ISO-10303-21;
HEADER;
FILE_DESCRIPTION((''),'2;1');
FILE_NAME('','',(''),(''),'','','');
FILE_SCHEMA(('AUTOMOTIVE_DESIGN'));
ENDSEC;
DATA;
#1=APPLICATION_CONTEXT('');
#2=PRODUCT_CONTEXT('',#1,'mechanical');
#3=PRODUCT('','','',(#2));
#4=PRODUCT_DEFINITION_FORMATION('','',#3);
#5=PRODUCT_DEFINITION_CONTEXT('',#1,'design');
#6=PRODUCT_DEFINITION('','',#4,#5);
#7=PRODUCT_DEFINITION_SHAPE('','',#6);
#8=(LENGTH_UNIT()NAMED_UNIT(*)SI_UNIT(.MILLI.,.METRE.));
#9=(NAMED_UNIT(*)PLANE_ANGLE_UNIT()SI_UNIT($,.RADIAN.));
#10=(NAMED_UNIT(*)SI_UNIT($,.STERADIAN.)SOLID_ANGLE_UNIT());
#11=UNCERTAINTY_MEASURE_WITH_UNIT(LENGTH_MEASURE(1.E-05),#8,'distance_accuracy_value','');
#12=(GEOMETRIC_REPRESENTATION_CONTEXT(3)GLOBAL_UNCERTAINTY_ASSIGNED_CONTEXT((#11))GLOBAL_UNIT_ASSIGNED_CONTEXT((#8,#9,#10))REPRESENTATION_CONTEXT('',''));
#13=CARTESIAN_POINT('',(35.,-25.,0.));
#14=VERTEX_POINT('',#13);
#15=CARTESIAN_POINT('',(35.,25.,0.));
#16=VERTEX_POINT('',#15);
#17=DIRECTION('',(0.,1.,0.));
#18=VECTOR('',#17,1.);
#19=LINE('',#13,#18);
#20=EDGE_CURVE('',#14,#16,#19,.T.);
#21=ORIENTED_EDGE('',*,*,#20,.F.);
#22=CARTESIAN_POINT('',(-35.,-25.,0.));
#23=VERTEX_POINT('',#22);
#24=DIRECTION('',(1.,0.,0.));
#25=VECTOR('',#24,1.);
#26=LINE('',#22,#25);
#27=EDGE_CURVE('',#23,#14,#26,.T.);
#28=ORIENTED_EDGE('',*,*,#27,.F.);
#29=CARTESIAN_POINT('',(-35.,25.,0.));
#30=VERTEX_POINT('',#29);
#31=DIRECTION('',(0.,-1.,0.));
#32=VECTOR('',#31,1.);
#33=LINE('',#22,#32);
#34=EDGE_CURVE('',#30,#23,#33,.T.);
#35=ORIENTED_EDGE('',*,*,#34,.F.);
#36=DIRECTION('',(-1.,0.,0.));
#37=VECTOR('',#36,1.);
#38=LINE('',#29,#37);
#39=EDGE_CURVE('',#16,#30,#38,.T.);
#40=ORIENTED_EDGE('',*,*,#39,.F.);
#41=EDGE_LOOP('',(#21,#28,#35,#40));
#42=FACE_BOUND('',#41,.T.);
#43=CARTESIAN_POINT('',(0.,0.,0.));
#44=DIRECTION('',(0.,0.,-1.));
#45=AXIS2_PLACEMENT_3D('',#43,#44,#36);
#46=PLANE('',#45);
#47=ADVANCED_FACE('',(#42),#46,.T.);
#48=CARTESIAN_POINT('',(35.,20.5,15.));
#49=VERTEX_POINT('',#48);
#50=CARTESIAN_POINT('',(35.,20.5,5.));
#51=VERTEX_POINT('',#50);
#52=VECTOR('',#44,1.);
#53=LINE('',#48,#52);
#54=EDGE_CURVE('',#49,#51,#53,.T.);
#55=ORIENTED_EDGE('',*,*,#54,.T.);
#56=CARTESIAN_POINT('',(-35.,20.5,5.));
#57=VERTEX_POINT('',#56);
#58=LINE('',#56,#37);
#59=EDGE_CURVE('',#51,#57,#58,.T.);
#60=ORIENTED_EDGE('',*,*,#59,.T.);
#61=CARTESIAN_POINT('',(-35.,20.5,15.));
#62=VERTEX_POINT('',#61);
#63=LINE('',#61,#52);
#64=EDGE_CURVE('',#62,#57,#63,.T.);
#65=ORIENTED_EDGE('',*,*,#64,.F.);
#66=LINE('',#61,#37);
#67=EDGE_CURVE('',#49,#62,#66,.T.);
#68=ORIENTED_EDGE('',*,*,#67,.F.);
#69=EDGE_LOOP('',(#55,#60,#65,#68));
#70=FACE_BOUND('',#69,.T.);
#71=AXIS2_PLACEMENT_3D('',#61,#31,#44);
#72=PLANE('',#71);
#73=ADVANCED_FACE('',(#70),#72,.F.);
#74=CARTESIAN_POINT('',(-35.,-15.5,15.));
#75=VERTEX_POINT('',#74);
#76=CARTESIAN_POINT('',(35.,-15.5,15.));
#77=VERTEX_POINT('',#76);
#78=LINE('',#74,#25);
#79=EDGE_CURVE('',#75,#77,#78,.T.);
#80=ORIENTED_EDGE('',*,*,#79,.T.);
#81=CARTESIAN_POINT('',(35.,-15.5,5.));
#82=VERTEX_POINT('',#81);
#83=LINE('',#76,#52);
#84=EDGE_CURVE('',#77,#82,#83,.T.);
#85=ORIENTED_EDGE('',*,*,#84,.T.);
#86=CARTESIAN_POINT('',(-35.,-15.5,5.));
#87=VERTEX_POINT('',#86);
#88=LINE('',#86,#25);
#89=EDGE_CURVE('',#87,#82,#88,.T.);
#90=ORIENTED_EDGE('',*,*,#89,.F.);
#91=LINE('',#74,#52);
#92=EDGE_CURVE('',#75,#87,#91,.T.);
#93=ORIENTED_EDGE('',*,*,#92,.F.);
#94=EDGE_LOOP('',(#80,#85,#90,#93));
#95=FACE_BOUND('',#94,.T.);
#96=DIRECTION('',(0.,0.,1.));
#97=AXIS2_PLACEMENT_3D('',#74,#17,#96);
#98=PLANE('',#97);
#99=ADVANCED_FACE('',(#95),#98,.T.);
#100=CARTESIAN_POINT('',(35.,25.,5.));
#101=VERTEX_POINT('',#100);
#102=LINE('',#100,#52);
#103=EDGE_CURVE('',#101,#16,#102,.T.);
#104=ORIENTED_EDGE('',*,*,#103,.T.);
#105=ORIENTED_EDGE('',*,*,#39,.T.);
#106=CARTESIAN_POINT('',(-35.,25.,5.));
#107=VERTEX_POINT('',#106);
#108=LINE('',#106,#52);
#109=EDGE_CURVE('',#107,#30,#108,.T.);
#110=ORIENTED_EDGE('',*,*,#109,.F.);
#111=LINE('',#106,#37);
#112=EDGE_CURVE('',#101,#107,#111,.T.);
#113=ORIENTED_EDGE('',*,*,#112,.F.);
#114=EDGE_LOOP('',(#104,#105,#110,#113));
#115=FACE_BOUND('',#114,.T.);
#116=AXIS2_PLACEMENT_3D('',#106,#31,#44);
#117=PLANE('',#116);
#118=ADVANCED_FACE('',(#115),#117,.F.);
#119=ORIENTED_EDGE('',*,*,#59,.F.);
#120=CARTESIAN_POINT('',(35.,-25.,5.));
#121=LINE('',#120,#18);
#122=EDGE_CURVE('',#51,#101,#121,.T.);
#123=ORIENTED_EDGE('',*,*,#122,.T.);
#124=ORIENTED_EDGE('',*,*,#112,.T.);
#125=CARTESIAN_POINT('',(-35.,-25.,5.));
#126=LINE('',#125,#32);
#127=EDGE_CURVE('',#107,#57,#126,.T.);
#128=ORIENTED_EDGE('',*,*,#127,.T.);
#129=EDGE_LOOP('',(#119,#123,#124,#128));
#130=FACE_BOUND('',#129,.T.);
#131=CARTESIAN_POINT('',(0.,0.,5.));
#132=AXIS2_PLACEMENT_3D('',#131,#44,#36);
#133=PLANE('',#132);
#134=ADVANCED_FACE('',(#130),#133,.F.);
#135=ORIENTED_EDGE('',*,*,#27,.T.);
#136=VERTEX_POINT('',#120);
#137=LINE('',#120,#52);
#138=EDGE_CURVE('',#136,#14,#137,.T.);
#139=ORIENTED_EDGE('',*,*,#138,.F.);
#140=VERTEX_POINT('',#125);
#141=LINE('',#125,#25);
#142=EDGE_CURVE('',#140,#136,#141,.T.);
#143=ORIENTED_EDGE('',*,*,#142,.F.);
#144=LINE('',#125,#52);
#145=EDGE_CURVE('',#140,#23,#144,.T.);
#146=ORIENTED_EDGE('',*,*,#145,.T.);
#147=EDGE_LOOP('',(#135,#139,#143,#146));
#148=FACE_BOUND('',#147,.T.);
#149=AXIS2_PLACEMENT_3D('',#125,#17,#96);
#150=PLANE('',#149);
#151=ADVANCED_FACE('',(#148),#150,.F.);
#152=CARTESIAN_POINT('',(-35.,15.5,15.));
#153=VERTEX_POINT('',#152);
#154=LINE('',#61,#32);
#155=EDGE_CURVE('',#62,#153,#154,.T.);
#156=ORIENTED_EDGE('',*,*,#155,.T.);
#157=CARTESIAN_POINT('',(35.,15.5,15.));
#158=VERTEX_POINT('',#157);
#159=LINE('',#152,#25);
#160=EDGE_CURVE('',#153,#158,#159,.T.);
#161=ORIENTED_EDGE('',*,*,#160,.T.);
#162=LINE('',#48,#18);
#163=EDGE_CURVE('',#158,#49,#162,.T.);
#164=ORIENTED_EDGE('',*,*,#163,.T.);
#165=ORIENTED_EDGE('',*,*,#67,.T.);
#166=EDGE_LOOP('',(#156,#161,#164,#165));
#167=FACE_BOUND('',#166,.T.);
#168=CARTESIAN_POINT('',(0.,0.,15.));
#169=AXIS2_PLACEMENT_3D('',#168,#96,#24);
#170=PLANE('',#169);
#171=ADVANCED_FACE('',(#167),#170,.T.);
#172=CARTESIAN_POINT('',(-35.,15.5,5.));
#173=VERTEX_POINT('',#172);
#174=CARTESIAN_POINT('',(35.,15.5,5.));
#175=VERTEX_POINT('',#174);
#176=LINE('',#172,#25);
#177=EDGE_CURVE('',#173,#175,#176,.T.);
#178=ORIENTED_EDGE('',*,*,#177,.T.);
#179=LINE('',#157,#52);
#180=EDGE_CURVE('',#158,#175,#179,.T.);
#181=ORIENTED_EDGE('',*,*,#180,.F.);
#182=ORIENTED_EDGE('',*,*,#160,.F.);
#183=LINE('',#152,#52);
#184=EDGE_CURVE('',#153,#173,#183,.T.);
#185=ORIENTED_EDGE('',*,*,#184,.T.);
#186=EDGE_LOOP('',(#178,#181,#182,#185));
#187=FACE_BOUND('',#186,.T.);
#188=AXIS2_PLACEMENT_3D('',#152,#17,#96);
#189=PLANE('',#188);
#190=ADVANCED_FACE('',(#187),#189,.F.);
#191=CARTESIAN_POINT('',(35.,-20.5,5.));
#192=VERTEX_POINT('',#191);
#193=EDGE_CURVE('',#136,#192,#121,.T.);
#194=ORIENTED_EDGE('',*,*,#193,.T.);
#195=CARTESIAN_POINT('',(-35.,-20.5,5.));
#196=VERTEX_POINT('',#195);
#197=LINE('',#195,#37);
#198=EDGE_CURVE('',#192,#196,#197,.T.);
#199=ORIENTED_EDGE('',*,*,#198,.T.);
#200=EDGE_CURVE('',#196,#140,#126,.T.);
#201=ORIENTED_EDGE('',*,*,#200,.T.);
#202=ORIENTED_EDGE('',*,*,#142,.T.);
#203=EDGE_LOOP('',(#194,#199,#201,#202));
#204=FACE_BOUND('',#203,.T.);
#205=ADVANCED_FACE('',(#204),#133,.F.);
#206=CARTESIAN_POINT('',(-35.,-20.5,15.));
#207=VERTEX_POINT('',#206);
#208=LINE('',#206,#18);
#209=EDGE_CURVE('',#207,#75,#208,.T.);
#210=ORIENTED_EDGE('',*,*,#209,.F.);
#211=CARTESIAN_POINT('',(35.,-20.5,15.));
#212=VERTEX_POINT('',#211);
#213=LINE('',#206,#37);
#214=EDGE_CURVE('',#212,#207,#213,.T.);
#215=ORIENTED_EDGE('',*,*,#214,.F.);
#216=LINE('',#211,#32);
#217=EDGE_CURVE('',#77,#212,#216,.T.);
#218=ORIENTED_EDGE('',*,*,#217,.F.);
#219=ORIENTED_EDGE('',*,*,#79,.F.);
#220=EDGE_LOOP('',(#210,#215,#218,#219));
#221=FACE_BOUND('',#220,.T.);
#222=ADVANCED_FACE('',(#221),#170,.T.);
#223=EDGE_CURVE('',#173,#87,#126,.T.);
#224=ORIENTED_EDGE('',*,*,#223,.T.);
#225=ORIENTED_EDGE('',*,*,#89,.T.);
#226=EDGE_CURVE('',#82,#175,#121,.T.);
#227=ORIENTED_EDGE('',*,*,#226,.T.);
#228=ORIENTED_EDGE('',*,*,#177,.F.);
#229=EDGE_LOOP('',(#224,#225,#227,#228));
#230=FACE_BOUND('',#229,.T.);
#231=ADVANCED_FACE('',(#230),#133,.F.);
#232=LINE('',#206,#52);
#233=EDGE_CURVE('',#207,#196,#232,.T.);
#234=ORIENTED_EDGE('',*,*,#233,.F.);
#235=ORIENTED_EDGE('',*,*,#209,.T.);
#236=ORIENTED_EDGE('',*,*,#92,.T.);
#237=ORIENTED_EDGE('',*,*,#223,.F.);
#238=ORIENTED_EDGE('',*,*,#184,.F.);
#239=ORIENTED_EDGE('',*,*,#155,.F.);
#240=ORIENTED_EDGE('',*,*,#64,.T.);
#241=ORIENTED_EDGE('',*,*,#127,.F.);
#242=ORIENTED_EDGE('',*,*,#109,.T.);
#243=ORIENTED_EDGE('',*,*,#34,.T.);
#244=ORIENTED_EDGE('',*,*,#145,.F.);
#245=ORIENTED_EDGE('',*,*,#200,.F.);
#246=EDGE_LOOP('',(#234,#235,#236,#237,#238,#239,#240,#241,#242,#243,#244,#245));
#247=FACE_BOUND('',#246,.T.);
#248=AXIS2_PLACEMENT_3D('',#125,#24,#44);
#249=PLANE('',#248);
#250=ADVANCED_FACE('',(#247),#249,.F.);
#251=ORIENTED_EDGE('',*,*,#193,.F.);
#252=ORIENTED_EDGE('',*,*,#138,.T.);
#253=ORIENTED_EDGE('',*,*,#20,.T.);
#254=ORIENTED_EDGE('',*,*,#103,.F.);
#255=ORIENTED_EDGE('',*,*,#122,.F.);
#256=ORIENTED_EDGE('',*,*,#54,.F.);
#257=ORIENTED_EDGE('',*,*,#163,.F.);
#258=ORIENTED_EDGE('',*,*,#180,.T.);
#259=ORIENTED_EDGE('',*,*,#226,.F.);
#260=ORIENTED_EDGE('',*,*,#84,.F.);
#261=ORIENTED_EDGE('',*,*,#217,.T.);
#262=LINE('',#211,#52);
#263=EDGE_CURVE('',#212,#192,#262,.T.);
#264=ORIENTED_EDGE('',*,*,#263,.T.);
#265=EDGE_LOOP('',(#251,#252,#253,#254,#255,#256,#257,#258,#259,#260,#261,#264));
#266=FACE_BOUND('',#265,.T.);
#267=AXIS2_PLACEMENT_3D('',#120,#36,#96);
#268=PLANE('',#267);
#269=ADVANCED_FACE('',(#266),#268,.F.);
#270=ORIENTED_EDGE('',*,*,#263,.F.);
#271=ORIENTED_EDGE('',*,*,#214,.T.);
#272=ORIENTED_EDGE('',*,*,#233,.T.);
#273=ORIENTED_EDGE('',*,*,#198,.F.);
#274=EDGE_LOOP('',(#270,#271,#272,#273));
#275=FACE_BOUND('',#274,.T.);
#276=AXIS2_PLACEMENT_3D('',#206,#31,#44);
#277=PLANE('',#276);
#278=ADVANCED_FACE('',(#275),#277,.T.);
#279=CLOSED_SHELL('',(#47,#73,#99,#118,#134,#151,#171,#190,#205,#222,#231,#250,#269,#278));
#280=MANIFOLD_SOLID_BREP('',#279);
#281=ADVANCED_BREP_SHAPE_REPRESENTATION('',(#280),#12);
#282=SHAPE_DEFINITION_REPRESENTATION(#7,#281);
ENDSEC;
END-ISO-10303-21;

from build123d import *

# Parameters (mm, degrees)
SKETCH1_W           = 70
SKETCH1_H           = 50
BOSS_EXTRUDE1_DEPTH = 5
SKETCH2_W           = 70
SKETCH2_H           = 5
BOSS_EXTRUDE2_DEPTH = 10


with BuildPart() as part:
    # Sketch1 → Boss-Extrude1 (new body)
    with BuildSketch(Plane.XY):
        Rectangle(SKETCH1_W, SKETCH1_H)
    extrude(amount=BOSS_EXTRUDE1_DEPTH)

    # Sketch2 → Boss-Extrude2 (add)
    with BuildSketch(Plane.XY.offset(5)):
        with Locations((0, 18)):
            Rectangle(SKETCH2_W, SKETCH2_H)
    boss_extrude2 = extrude(amount=BOSS_EXTRUDE2_DEPTH)

    # Mirror1: Boss-Extrude2 across plane
    add(boss_extrude2.mirror(Plane.ZX))


solid = part.part
